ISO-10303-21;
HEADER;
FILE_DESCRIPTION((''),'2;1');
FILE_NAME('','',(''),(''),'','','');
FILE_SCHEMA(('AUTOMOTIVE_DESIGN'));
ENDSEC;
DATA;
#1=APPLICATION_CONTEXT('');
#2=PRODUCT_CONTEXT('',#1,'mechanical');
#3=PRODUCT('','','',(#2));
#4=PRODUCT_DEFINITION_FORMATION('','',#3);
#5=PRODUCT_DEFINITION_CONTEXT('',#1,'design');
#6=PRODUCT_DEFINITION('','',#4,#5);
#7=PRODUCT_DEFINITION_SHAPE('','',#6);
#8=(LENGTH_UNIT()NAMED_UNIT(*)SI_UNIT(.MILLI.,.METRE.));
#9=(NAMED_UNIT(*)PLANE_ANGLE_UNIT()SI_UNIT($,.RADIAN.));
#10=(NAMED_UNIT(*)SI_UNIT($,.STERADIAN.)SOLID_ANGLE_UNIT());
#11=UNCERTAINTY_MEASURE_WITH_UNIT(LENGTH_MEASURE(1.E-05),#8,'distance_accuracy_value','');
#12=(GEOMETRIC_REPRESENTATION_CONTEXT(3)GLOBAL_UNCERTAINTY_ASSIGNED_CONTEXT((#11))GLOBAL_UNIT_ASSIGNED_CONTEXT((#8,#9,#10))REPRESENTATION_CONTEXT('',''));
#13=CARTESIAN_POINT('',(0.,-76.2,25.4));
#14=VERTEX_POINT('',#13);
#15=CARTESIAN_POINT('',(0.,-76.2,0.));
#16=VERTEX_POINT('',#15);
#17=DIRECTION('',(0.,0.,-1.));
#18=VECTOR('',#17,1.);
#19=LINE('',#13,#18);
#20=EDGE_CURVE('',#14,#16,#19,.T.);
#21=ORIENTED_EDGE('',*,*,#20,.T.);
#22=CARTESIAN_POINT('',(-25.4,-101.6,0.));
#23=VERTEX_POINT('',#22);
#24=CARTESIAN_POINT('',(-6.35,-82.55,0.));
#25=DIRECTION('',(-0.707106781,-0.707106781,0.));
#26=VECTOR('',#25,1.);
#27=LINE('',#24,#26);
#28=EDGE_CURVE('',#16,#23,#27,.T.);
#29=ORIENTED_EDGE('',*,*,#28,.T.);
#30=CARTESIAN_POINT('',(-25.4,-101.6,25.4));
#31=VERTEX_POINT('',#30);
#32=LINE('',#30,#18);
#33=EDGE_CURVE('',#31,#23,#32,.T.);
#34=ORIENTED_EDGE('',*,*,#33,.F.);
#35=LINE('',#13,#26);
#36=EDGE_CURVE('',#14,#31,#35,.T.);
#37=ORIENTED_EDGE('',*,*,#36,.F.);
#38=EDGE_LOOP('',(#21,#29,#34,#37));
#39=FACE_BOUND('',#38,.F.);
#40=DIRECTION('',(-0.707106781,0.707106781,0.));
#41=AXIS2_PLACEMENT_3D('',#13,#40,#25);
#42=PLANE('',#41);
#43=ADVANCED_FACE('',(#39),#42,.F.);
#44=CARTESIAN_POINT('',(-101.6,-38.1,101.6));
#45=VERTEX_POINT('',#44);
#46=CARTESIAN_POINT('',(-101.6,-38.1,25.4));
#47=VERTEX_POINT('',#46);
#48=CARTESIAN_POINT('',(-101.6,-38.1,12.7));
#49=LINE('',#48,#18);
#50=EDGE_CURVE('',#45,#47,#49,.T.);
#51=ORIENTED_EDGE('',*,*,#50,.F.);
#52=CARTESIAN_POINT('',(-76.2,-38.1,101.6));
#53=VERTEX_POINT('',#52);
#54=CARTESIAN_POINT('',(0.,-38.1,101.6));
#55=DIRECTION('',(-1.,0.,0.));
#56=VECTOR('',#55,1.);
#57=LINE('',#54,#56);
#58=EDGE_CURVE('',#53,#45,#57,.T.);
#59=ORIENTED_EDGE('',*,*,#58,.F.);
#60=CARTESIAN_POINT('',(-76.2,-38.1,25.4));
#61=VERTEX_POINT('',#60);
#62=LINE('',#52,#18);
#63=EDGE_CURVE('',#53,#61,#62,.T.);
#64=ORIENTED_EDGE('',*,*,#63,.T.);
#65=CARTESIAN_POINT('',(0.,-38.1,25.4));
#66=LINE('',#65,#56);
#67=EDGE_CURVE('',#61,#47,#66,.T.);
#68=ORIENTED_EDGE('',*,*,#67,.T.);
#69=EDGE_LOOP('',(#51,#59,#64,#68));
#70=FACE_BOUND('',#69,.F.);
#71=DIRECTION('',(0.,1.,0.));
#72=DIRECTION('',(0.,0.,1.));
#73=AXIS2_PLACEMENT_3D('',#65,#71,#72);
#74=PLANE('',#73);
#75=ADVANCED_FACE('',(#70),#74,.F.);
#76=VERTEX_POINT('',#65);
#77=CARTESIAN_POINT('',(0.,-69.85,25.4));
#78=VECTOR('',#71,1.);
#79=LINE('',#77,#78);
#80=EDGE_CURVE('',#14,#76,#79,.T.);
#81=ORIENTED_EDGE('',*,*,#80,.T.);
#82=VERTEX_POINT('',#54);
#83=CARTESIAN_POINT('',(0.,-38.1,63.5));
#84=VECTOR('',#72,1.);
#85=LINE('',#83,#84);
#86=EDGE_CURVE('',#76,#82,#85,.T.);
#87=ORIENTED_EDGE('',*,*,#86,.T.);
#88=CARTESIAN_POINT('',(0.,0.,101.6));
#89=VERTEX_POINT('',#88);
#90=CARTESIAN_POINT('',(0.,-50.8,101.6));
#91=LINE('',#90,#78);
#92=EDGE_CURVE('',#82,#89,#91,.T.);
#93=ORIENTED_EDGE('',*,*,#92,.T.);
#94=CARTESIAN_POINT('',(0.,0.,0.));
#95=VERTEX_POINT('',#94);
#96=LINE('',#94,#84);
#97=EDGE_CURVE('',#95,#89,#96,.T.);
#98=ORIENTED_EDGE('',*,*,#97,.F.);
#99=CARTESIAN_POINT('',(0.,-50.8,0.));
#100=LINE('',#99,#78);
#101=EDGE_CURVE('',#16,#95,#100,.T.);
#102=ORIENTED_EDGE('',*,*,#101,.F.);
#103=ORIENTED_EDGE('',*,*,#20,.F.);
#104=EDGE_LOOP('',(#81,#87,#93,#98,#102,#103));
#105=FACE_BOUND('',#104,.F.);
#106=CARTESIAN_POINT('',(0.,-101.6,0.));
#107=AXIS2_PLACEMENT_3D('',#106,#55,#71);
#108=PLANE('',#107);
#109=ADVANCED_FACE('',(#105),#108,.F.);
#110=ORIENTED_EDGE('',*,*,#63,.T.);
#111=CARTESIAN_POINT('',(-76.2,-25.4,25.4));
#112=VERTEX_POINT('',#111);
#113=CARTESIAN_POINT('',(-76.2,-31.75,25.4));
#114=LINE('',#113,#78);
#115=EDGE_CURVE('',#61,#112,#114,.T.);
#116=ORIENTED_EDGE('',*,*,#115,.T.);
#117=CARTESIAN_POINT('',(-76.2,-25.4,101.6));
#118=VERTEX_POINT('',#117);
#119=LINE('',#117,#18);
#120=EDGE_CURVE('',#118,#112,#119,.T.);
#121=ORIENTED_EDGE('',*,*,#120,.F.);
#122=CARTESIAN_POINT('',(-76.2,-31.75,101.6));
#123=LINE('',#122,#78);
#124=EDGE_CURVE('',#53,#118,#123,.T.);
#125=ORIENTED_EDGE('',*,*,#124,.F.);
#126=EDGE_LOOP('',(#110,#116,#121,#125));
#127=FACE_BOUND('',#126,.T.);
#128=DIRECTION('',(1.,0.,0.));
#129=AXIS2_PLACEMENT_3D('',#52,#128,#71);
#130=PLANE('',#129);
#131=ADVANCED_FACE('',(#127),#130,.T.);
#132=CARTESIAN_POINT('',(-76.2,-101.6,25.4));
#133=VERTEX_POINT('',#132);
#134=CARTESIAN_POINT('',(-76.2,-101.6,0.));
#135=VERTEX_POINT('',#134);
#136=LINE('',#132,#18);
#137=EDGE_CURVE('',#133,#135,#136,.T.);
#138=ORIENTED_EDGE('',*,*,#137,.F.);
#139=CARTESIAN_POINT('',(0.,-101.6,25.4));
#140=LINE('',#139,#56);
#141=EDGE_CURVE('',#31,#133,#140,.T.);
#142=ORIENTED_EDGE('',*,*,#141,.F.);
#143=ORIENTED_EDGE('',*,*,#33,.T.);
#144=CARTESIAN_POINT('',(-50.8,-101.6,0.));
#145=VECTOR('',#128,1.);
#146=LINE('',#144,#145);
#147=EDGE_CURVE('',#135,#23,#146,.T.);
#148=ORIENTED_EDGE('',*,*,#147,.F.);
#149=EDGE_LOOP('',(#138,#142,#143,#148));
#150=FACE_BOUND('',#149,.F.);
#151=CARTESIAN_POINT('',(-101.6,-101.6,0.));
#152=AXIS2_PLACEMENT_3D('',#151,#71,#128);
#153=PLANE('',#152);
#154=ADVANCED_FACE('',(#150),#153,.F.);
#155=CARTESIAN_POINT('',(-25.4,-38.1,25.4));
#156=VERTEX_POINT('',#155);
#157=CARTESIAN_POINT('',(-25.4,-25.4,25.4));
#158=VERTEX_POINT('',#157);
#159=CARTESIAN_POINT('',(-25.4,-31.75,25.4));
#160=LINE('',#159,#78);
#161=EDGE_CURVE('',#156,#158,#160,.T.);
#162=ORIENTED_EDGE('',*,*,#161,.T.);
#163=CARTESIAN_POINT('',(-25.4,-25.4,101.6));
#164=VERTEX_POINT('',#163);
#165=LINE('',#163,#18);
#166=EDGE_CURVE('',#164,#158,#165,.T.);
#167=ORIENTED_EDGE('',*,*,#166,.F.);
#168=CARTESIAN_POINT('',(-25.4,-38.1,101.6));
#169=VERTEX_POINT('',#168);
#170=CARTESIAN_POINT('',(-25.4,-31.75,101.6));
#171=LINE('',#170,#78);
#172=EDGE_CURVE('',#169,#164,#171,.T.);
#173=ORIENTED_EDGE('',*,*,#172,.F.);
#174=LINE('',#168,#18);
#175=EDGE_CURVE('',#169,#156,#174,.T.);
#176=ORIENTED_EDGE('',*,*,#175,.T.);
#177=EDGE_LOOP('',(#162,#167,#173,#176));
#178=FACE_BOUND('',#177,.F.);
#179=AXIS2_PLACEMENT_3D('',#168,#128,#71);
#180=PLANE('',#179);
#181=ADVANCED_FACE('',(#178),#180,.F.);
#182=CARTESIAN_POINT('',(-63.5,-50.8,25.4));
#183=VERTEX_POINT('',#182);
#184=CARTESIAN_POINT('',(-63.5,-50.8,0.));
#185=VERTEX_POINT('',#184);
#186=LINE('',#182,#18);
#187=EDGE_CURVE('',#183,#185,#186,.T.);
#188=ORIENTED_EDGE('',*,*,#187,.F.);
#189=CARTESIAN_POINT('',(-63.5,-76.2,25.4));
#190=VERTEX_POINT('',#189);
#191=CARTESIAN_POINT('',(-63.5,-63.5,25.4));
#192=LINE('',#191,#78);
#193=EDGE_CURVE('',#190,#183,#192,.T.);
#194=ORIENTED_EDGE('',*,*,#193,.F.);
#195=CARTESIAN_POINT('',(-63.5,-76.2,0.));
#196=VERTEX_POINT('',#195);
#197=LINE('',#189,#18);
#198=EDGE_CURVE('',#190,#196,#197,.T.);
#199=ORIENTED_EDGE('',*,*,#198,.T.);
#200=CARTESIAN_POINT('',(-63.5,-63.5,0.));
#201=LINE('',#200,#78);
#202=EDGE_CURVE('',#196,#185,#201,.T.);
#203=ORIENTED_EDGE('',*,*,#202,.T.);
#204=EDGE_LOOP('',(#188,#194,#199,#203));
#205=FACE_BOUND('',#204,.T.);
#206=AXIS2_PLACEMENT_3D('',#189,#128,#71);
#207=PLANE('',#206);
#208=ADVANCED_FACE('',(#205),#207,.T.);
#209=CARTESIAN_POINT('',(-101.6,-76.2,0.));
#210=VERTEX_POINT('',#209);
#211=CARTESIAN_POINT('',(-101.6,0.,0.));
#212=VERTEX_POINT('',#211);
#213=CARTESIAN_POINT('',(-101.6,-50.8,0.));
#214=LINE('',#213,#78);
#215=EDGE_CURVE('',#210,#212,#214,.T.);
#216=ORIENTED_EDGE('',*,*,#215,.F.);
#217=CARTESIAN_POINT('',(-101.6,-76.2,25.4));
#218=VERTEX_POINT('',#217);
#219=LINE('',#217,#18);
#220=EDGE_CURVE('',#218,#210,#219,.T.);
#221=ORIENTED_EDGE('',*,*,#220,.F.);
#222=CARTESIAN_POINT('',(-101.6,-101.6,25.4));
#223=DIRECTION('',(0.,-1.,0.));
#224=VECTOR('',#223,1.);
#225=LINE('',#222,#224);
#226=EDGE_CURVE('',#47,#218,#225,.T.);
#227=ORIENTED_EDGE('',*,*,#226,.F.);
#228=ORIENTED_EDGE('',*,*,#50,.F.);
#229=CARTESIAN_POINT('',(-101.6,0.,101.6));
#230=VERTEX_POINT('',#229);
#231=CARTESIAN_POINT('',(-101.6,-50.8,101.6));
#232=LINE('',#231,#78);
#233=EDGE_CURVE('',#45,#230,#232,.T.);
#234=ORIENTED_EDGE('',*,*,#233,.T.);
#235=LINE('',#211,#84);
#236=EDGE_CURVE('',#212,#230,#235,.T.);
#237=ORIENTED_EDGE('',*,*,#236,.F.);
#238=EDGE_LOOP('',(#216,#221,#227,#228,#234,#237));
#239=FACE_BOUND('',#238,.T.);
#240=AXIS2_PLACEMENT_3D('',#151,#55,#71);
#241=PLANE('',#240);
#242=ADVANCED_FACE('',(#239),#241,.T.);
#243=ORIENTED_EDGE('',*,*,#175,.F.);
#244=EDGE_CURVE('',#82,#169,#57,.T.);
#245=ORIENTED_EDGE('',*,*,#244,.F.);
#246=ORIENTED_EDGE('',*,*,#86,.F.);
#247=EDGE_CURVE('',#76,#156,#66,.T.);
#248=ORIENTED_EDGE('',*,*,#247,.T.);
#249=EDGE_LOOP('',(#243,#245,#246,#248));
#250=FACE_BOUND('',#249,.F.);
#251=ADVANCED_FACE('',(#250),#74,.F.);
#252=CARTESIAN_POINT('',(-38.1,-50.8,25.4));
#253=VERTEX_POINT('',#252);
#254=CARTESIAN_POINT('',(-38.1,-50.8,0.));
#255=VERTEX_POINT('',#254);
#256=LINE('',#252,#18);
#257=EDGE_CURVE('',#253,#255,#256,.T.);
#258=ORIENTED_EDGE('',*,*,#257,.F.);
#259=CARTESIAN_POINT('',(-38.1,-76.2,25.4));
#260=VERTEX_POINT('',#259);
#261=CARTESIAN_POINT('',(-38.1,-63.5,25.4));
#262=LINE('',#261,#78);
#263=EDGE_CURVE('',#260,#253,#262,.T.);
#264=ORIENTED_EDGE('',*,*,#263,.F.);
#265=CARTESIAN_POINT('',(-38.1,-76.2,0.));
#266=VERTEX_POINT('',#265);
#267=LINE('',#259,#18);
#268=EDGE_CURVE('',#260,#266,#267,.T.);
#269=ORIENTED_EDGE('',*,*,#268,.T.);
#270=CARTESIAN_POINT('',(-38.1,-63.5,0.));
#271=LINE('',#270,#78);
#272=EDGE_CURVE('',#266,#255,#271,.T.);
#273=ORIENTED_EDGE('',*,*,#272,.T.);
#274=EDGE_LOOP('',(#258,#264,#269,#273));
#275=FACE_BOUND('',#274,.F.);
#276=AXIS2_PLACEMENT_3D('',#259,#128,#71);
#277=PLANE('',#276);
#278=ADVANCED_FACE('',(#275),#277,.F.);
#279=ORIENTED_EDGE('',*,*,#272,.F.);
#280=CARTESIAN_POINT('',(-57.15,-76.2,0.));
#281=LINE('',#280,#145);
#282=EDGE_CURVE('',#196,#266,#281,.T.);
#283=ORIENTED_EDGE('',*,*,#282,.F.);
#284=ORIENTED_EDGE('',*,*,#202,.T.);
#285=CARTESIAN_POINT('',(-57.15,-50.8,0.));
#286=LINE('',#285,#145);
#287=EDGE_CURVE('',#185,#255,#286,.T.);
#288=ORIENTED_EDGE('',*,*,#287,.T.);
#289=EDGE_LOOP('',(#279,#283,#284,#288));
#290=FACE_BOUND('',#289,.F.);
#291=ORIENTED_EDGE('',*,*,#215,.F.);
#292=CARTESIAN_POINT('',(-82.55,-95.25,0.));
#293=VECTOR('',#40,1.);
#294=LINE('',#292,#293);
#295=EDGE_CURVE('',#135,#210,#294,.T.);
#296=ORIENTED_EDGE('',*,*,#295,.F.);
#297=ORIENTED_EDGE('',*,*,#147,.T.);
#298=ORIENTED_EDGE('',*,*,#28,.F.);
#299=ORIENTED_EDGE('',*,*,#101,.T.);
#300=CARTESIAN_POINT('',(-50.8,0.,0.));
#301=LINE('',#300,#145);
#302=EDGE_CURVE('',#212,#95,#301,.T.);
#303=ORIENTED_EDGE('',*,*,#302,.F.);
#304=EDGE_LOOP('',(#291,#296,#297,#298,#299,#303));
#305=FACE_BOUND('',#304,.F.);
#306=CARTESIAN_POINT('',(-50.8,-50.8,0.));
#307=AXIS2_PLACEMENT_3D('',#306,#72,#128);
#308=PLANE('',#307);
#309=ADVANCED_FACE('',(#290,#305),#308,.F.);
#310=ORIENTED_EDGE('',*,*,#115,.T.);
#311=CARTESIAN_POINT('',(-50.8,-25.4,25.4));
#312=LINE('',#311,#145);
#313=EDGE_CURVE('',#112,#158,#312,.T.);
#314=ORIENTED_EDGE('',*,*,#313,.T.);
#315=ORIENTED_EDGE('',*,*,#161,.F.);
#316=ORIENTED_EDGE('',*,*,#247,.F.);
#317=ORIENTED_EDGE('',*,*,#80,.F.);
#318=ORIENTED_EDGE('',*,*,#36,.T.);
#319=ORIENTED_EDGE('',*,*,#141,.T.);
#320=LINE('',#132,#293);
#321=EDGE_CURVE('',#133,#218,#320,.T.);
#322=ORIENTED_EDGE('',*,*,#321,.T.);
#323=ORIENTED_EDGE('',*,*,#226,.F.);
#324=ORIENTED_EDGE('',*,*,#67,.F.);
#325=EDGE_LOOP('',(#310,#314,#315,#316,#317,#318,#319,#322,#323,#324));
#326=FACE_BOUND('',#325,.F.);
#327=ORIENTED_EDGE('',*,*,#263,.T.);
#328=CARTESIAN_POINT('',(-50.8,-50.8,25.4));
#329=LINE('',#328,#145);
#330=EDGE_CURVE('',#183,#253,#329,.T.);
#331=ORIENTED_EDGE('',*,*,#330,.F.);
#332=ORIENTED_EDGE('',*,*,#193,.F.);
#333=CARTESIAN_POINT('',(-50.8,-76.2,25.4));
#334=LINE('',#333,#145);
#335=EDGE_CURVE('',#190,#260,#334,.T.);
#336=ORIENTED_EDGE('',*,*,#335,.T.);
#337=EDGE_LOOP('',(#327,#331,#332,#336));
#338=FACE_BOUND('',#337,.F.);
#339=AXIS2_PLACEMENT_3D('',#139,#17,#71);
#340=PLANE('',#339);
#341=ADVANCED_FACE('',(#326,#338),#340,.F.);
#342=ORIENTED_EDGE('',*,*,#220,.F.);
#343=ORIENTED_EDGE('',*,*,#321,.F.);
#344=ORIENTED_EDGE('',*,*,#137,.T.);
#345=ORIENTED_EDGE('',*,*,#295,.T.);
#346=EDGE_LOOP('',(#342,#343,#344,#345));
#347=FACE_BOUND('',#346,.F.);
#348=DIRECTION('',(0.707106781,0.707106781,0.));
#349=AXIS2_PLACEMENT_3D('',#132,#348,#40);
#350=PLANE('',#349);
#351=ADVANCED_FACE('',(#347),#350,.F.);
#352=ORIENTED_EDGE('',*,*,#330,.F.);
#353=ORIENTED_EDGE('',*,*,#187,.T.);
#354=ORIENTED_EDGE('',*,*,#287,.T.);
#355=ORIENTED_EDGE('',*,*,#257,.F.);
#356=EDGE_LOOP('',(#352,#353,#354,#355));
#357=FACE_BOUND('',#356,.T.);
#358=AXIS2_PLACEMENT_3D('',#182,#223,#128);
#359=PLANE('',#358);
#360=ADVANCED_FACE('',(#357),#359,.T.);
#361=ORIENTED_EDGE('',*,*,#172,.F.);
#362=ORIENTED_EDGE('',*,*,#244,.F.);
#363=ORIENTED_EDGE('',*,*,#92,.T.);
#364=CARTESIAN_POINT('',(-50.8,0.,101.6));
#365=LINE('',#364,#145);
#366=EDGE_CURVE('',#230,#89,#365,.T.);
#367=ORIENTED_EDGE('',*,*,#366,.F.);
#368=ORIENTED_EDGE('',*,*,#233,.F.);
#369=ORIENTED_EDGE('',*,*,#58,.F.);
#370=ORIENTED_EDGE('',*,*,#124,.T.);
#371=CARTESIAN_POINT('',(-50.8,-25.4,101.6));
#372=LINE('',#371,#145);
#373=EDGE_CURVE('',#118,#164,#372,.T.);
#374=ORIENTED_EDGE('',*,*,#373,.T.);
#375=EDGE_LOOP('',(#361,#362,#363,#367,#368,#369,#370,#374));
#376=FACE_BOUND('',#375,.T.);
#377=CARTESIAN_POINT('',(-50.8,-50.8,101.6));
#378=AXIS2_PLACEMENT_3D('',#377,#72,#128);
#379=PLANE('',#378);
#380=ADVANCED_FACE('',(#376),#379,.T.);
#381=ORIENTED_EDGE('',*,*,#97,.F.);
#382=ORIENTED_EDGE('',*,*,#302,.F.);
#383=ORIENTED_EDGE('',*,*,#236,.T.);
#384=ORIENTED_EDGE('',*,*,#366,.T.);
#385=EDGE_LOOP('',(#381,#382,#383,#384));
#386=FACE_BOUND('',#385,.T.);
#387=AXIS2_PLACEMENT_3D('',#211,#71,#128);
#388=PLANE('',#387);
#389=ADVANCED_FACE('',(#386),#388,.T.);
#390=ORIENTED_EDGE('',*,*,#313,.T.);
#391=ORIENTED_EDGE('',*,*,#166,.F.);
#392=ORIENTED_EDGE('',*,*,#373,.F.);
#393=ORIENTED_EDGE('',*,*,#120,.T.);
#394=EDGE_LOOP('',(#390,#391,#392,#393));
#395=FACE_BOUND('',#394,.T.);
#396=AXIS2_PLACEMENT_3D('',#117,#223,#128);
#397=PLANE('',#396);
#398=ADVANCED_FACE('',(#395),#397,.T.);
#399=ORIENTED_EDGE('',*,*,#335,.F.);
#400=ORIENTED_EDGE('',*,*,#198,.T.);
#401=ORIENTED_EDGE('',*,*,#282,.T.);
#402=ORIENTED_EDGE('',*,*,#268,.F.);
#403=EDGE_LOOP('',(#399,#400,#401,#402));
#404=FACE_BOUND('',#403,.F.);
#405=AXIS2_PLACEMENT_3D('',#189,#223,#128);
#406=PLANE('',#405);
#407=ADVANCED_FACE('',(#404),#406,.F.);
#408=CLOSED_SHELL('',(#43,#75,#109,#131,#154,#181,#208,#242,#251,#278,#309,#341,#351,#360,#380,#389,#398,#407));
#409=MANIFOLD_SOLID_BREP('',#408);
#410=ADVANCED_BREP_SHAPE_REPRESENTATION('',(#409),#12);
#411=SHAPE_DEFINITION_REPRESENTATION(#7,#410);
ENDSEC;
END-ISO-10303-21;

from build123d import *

# Parameters (mm, degrees)
F0_W     = 101.6
F0_H     = 101.6
F1_DEPTH = 101.6
F2_W     = 63.5
F2_H     = 76.2
F3_DEPTH = 109.728
F4_W     = 25.4
F4_H     = 25.4
F5_DEPTH = 70.866
F6_W     = 50.8
F6_H     = 12.7
F7_DEPTH = 76.2


with BuildPart() as f1:
    # F0 (on Top) → F1 (new body)
    with BuildSketch(Plane.XY):
        with Locations((-50.8, -50.8)):
            Rectangle(F0_W, F0_H)
    extrude(amount=F1_DEPTH)

    # F2 (on face) → F3 (cut)
    with BuildSketch(Plane.YZ):
        with Locations((-69.85, 63.5)):
            Rectangle(F2_W, F2_H)
    extrude(amount=-F3_DEPTH, mode=Mode.SUBTRACT)

    # F4 (on face) → F5 (cut)
    with BuildSketch(Plane.XY.offset(25.4)):
        Polygon((0, -76.2), (-25.4, -101.6), (0, -101.6), align=None)
        Polygon((-101.6, -76.2), (-101.6, -101.6), (-76.2, -101.6), align=None)
        with Locations((-50.8, -63.5)):
            Rectangle(F4_W, F4_H)
    extrude(amount=-F5_DEPTH, mode=Mode.SUBTRACT)

    # F6 (on face) → F7 (cut)
    with BuildSketch(Plane.XY.offset(101.6)):
        with Locations((-50.8, -31.75)):
            Rectangle(F6_W, F6_H)
    extrude(amount=-F7_DEPTH, mode=Mode.SUBTRACT)


solid = f1.part
